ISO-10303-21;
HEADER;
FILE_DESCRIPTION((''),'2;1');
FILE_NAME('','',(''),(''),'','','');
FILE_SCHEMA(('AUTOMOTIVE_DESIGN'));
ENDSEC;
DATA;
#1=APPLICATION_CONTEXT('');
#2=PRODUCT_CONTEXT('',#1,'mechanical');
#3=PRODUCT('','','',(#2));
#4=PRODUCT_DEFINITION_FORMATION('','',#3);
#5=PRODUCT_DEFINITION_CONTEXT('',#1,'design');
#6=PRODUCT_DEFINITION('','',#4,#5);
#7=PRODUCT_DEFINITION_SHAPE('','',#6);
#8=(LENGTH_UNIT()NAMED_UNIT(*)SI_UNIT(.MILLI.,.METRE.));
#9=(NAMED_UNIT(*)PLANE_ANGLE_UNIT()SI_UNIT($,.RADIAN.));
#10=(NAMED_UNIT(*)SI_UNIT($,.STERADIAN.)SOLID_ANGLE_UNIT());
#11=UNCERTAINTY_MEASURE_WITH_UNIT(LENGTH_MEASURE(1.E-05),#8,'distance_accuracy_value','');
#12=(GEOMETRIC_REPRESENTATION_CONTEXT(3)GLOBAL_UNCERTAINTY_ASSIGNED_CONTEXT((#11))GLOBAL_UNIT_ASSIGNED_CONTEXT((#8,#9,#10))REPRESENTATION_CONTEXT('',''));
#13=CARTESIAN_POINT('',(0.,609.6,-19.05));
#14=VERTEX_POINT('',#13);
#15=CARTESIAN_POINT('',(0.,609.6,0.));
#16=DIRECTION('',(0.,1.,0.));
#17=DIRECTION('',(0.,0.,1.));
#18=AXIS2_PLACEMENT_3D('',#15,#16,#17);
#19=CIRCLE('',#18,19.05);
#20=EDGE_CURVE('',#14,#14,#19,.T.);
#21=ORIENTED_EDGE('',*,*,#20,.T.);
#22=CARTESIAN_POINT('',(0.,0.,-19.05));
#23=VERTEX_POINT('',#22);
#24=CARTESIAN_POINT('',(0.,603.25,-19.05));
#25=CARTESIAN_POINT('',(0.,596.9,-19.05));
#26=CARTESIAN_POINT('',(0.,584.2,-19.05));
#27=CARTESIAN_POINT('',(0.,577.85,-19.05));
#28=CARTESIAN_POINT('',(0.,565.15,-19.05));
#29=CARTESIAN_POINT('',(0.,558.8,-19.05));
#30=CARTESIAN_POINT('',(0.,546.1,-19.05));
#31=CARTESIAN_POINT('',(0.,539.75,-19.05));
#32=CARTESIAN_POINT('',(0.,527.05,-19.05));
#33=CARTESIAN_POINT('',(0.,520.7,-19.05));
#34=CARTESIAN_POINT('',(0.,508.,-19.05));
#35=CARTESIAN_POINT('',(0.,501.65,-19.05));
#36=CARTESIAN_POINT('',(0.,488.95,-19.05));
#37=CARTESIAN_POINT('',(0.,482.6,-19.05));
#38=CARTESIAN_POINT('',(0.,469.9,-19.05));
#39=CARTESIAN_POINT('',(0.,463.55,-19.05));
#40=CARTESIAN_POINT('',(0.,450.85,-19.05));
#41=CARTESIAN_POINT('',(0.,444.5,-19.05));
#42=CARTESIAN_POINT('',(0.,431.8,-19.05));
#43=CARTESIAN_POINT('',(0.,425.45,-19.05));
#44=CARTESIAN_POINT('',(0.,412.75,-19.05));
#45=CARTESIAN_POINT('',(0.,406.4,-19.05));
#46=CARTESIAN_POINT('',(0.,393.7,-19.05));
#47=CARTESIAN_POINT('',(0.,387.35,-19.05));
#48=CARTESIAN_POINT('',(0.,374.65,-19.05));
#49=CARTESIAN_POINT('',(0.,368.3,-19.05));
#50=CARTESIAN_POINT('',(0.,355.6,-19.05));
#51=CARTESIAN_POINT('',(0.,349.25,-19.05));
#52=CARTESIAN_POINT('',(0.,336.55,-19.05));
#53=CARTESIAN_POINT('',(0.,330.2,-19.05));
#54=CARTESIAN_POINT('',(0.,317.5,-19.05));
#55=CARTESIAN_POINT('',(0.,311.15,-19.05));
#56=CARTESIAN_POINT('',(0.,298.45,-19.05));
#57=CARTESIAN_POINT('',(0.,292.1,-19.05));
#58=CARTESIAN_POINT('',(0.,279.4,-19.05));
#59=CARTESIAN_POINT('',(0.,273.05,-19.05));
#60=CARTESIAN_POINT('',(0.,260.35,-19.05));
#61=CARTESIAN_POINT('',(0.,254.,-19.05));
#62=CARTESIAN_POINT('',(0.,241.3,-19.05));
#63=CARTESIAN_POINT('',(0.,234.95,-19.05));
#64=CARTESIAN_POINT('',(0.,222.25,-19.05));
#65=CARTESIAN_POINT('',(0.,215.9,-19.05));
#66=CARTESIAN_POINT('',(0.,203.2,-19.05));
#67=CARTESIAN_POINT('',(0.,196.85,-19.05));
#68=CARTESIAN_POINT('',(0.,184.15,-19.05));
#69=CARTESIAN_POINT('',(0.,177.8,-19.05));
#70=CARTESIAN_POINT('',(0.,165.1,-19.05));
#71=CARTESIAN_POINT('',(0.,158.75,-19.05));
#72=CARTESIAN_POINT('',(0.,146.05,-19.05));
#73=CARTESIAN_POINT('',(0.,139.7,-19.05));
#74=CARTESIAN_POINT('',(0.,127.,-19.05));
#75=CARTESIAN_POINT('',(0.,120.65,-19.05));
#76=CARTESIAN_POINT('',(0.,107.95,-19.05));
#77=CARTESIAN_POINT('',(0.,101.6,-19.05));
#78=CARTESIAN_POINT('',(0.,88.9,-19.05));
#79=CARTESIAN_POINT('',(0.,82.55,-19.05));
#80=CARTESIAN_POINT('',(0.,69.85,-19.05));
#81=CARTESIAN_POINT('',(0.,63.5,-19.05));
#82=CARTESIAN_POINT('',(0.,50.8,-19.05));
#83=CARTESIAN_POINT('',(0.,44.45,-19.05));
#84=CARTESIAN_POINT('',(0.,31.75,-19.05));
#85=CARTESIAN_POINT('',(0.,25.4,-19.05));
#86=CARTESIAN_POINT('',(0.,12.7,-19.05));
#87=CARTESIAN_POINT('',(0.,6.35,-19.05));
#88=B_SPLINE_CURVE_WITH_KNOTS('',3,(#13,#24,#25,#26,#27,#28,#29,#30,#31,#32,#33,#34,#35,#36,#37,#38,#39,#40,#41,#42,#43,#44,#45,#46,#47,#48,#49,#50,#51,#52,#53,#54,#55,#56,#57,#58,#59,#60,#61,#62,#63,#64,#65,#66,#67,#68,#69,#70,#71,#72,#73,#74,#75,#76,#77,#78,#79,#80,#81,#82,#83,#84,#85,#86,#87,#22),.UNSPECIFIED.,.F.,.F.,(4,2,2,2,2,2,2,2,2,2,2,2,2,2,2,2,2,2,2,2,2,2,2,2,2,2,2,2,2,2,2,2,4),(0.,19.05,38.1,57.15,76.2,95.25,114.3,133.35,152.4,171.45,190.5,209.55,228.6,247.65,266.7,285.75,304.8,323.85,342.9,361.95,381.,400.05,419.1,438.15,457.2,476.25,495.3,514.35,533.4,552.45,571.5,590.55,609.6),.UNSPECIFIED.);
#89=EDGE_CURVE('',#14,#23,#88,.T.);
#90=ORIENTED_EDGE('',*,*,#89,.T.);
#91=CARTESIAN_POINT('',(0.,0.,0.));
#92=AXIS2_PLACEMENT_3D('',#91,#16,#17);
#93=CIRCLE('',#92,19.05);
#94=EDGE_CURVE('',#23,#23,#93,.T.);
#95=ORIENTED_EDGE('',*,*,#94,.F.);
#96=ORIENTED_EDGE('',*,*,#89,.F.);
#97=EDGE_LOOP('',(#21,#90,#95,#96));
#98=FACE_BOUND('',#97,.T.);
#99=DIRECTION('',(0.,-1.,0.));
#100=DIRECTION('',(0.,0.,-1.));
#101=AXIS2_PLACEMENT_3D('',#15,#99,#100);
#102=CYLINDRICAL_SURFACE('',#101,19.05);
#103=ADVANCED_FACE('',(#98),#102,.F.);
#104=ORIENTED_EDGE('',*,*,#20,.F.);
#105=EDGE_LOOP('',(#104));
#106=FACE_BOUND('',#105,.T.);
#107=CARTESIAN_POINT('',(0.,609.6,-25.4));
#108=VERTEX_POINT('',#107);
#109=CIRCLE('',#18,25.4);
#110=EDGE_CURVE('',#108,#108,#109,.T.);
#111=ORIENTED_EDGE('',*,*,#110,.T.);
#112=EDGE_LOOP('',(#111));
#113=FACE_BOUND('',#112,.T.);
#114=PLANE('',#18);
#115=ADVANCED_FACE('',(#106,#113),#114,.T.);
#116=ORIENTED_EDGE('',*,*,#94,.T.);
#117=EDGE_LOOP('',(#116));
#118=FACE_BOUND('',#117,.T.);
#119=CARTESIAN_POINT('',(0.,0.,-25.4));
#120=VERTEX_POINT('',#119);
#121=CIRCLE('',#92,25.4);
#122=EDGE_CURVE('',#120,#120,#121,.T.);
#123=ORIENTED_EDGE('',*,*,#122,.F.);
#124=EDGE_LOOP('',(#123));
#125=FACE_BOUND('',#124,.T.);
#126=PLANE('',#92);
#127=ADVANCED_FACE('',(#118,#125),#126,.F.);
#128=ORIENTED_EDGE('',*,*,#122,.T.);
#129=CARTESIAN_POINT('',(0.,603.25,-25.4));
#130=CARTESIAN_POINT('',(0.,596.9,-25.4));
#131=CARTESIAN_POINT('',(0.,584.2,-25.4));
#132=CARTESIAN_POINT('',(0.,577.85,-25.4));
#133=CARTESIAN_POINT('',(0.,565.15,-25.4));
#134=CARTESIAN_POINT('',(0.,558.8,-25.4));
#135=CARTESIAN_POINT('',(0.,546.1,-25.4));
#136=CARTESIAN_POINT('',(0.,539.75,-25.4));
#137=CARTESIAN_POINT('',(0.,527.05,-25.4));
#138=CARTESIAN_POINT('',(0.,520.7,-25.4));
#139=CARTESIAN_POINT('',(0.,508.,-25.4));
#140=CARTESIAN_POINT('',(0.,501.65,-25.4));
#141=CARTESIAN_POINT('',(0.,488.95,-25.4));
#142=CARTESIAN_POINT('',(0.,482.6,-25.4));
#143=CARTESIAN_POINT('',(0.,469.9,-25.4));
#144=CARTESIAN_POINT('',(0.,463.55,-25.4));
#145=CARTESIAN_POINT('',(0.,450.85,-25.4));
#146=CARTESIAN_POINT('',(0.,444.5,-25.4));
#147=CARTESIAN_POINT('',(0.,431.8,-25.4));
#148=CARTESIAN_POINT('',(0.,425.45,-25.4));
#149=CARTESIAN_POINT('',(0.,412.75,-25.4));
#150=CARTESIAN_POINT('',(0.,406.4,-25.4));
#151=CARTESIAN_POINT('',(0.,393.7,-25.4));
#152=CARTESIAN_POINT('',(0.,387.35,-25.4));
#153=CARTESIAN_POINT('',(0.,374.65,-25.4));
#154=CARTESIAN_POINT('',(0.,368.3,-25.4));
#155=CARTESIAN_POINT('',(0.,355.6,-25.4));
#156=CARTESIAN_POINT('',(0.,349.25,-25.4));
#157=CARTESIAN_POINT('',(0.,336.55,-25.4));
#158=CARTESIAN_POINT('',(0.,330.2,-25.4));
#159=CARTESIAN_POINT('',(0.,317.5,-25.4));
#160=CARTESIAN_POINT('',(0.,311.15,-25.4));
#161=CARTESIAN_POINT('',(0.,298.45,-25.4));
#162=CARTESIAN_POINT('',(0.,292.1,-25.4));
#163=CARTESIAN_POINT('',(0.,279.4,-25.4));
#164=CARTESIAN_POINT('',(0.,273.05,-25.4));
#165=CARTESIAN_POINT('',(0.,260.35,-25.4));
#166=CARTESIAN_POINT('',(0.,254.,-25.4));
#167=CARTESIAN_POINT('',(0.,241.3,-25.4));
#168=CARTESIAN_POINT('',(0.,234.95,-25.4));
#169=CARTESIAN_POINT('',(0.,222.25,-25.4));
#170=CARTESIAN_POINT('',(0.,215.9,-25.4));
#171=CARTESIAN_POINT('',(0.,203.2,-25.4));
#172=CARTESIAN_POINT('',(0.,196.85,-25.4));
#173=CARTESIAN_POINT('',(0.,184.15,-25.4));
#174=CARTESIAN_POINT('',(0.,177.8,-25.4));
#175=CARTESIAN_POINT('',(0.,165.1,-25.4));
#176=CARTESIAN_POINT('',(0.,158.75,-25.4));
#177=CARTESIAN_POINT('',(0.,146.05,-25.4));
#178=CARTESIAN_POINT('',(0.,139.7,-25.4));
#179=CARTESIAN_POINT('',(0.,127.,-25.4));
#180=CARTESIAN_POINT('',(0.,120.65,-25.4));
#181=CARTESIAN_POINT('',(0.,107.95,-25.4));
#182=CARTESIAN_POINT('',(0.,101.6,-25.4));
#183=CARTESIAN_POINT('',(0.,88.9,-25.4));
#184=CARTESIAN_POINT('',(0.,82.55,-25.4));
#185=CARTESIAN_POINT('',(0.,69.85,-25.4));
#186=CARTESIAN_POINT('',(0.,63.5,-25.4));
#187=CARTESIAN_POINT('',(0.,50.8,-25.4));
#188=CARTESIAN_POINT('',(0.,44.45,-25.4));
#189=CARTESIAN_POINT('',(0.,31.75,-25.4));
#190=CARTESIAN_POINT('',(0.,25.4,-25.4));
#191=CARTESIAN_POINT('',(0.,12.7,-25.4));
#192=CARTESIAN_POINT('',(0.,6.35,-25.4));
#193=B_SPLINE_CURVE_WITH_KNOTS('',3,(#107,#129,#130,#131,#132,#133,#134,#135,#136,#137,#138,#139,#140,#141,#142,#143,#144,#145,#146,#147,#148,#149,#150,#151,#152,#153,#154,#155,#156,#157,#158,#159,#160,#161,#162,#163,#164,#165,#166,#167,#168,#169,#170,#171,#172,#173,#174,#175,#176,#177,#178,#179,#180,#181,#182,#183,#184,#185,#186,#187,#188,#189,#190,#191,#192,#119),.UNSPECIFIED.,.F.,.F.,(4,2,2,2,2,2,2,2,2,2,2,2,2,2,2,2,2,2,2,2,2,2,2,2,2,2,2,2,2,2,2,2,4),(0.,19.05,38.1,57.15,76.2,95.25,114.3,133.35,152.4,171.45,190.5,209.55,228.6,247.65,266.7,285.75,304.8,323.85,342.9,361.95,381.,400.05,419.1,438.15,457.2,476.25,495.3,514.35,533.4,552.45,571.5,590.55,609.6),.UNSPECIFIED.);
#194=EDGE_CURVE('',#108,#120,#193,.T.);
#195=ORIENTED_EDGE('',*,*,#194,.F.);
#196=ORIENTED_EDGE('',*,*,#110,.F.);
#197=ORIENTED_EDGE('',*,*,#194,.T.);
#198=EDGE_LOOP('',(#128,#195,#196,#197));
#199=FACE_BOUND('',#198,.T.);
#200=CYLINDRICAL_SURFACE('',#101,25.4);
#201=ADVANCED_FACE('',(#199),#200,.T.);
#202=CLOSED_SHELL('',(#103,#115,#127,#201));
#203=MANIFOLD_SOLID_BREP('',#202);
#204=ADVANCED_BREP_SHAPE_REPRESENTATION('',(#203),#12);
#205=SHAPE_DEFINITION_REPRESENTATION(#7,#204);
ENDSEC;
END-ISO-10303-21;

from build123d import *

# Parameters (mm, degrees)
SKETCH1_R           = 25.4
SKETCH1_R_2         = 19.05
BOSS_EXTRUDE1_DEPTH = 609.6


with BuildPart() as part:
    # Sketch1 → Boss-Extrude1 (new body)
    with BuildSketch(Plane(origin=(0, 0, 0), x_dir=(1, 0, 0), z_dir=(0, 1, 0))):
        with Locations(Location((0, 0, 0), (0, 0, 90))):
            Circle(SKETCH1_R)
        with Locations(Location((0, 0, 0), (0, 0, 90))):
            Circle(SKETCH1_R_2, mode=Mode.SUBTRACT)
    extrude(amount=BOSS_EXTRUDE1_DEPTH)


solid = part.part
